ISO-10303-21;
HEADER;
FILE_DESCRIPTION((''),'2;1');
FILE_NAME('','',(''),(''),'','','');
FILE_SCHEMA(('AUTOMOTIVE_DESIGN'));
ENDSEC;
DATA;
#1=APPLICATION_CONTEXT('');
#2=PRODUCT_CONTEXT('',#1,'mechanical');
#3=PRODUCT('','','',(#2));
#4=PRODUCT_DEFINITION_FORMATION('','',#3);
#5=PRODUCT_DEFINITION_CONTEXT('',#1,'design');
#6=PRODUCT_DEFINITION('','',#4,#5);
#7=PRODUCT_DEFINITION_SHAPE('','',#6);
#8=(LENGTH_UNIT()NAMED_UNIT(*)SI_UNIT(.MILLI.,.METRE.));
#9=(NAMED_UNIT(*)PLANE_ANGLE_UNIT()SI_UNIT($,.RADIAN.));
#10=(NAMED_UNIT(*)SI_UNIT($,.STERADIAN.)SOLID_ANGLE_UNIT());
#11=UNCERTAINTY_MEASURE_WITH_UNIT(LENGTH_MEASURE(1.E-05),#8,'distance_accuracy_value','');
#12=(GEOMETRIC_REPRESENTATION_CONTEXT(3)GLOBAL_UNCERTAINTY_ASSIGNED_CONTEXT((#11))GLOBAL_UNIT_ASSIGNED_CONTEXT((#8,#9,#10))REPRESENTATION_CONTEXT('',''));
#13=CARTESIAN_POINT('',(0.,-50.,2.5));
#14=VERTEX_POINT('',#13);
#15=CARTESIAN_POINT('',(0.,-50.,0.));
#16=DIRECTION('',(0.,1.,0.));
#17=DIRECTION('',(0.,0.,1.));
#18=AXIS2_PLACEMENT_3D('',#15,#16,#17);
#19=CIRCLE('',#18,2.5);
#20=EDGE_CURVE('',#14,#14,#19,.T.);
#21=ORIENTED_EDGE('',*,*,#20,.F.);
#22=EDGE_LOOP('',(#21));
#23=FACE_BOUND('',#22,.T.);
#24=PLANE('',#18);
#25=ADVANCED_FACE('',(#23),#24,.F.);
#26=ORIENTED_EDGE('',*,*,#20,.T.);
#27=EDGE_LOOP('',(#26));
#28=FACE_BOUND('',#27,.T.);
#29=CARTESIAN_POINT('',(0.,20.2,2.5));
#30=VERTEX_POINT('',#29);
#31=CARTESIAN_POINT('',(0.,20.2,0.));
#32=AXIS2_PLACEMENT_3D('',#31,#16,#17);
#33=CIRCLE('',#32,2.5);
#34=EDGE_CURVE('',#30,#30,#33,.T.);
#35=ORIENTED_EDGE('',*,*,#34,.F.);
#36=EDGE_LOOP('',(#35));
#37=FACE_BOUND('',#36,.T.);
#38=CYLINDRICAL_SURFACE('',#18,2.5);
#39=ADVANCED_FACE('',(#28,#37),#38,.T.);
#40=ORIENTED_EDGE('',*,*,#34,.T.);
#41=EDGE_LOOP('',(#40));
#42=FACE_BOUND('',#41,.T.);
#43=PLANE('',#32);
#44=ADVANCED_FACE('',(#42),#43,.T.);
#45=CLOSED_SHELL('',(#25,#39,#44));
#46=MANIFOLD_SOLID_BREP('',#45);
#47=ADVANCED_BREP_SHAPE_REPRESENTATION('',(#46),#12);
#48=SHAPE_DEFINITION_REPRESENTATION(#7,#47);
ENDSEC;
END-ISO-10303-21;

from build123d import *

# Parameters (mm, degrees)
SKETCH1_R                = 2.5
BOSS_EXTRUDE1_DEPTH      = 20.2
BOSS_EXTRUDE1_DEPTH_BACK = 50


with BuildPart() as part:
    # Sketch1 → Boss-Extrude1 (new body, two sides)
    with BuildSketch(Plane(origin=(0, 0, 0), x_dir=(1, 0, 0), z_dir=(0, 1, 0))) as boss_extrude1_sk:
        Circle(SKETCH1_R)
    extrude(amount=BOSS_EXTRUDE1_DEPTH)
    extrude(boss_extrude1_sk.sketch, amount=-BOSS_EXTRUDE1_DEPTH_BACK)


solid = part.part
